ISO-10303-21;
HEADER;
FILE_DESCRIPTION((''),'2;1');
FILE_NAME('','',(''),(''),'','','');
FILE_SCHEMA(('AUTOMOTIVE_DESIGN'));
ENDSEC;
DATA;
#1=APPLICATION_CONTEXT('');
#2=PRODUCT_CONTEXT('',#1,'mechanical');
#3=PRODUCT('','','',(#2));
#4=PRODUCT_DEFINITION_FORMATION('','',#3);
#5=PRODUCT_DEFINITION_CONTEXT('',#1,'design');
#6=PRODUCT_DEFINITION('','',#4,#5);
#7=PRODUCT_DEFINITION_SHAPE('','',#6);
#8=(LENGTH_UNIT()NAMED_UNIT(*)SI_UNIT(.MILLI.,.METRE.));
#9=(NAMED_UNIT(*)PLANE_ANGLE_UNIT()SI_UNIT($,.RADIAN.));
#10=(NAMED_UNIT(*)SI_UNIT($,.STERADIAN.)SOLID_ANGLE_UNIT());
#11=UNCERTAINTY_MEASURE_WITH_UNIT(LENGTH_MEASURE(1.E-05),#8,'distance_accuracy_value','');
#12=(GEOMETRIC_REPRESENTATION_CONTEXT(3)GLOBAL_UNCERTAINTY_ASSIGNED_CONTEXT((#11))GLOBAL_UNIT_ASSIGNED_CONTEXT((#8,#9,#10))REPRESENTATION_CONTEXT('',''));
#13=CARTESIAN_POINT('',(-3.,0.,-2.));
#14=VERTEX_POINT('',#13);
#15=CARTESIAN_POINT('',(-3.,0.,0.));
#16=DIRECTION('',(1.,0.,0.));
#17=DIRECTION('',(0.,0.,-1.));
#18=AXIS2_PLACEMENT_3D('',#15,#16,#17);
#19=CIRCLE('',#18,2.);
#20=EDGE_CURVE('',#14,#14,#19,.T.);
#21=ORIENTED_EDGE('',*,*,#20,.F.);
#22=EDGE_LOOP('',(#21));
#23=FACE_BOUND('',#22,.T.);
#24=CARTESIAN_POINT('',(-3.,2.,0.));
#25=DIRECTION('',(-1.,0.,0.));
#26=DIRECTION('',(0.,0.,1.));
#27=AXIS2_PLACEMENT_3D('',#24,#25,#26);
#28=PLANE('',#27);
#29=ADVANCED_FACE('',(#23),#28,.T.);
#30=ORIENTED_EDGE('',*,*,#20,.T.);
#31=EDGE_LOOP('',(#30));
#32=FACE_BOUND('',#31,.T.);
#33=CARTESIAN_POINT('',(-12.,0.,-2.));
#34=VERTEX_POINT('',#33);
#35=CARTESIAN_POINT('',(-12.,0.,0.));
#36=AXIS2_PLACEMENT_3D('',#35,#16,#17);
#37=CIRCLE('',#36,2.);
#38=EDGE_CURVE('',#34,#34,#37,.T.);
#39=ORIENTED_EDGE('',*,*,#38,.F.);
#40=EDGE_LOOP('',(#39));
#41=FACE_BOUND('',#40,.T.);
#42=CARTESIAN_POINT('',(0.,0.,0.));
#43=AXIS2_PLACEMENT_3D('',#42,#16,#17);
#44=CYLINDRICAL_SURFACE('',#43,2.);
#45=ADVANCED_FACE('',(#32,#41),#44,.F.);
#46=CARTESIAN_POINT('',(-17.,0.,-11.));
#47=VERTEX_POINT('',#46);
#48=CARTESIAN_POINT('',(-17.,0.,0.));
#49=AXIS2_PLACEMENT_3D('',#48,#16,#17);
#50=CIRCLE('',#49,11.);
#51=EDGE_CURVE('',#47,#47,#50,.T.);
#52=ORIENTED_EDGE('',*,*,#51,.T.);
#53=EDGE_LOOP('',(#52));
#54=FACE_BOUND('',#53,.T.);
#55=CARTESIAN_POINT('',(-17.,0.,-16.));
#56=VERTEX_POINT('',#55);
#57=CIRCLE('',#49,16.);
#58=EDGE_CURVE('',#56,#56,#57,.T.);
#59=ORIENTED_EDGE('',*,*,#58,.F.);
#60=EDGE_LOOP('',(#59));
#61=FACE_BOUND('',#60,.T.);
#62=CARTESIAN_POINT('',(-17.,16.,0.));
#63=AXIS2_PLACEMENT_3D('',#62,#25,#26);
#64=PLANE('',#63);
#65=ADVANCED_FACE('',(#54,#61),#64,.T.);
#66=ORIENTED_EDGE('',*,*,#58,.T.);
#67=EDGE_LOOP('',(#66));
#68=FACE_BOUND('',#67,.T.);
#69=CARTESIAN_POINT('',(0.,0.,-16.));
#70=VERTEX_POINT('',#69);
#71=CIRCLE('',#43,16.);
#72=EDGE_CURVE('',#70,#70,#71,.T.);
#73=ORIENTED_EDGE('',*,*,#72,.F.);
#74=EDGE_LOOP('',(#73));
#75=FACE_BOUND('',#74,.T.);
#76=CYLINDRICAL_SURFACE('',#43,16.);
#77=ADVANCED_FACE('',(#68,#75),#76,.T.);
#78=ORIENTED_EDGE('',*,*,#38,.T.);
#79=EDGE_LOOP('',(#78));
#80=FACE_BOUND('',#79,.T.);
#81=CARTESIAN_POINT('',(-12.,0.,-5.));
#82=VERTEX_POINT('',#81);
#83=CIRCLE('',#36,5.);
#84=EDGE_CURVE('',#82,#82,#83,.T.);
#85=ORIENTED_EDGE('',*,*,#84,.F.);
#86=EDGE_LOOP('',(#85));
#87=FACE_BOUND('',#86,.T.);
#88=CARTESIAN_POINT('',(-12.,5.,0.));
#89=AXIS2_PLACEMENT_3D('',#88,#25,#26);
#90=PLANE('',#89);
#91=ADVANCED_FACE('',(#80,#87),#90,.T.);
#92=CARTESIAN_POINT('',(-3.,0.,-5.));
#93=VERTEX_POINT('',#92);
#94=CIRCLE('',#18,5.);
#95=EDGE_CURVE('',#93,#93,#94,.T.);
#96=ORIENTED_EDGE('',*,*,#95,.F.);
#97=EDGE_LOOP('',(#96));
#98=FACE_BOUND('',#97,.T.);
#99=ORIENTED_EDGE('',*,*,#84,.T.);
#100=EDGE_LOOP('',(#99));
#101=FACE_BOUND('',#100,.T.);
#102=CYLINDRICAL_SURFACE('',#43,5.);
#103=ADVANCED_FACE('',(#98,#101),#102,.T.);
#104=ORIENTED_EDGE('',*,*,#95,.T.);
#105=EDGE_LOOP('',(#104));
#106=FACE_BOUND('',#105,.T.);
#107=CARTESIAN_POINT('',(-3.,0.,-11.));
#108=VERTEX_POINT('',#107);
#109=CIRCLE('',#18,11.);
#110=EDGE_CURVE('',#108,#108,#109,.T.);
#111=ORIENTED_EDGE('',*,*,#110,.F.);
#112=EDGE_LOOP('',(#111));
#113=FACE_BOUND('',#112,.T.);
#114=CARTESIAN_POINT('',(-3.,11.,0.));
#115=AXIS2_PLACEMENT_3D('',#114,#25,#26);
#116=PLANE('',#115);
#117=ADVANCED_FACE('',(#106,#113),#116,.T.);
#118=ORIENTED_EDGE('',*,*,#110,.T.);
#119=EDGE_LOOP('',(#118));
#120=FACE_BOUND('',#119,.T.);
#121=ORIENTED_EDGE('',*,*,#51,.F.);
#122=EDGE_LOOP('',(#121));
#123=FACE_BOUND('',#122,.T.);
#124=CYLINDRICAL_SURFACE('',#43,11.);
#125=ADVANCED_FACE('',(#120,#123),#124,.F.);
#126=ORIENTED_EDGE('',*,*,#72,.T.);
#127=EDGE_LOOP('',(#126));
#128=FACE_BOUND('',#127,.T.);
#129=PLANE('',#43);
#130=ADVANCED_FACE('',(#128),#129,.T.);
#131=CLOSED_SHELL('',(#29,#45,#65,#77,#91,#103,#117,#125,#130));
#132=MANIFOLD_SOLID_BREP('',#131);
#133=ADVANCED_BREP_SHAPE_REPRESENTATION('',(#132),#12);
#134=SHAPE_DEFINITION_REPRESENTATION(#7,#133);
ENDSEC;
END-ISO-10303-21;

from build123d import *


with BuildPart() as part:
    # Esboço1 → Revolução1 (revolve)
    with BuildSketch(Plane.XY, mode=Mode.PRIVATE) as revolu_o1_sk:
        Polygon((0, 0), (0, 16), (-17, 16), (-17, 11), (-3, 11), (-3, 5), (-12, 5), (-12, 2), (-3, 2), (-3, 0), align=None)
    revolve(revolu_o1_sk.sketch.rotate(Axis((0, 0, 0), (-1, 0, 0)), 90), axis=Axis((0, 0, 0), (-1, 0, 0)))


solid = part.part
